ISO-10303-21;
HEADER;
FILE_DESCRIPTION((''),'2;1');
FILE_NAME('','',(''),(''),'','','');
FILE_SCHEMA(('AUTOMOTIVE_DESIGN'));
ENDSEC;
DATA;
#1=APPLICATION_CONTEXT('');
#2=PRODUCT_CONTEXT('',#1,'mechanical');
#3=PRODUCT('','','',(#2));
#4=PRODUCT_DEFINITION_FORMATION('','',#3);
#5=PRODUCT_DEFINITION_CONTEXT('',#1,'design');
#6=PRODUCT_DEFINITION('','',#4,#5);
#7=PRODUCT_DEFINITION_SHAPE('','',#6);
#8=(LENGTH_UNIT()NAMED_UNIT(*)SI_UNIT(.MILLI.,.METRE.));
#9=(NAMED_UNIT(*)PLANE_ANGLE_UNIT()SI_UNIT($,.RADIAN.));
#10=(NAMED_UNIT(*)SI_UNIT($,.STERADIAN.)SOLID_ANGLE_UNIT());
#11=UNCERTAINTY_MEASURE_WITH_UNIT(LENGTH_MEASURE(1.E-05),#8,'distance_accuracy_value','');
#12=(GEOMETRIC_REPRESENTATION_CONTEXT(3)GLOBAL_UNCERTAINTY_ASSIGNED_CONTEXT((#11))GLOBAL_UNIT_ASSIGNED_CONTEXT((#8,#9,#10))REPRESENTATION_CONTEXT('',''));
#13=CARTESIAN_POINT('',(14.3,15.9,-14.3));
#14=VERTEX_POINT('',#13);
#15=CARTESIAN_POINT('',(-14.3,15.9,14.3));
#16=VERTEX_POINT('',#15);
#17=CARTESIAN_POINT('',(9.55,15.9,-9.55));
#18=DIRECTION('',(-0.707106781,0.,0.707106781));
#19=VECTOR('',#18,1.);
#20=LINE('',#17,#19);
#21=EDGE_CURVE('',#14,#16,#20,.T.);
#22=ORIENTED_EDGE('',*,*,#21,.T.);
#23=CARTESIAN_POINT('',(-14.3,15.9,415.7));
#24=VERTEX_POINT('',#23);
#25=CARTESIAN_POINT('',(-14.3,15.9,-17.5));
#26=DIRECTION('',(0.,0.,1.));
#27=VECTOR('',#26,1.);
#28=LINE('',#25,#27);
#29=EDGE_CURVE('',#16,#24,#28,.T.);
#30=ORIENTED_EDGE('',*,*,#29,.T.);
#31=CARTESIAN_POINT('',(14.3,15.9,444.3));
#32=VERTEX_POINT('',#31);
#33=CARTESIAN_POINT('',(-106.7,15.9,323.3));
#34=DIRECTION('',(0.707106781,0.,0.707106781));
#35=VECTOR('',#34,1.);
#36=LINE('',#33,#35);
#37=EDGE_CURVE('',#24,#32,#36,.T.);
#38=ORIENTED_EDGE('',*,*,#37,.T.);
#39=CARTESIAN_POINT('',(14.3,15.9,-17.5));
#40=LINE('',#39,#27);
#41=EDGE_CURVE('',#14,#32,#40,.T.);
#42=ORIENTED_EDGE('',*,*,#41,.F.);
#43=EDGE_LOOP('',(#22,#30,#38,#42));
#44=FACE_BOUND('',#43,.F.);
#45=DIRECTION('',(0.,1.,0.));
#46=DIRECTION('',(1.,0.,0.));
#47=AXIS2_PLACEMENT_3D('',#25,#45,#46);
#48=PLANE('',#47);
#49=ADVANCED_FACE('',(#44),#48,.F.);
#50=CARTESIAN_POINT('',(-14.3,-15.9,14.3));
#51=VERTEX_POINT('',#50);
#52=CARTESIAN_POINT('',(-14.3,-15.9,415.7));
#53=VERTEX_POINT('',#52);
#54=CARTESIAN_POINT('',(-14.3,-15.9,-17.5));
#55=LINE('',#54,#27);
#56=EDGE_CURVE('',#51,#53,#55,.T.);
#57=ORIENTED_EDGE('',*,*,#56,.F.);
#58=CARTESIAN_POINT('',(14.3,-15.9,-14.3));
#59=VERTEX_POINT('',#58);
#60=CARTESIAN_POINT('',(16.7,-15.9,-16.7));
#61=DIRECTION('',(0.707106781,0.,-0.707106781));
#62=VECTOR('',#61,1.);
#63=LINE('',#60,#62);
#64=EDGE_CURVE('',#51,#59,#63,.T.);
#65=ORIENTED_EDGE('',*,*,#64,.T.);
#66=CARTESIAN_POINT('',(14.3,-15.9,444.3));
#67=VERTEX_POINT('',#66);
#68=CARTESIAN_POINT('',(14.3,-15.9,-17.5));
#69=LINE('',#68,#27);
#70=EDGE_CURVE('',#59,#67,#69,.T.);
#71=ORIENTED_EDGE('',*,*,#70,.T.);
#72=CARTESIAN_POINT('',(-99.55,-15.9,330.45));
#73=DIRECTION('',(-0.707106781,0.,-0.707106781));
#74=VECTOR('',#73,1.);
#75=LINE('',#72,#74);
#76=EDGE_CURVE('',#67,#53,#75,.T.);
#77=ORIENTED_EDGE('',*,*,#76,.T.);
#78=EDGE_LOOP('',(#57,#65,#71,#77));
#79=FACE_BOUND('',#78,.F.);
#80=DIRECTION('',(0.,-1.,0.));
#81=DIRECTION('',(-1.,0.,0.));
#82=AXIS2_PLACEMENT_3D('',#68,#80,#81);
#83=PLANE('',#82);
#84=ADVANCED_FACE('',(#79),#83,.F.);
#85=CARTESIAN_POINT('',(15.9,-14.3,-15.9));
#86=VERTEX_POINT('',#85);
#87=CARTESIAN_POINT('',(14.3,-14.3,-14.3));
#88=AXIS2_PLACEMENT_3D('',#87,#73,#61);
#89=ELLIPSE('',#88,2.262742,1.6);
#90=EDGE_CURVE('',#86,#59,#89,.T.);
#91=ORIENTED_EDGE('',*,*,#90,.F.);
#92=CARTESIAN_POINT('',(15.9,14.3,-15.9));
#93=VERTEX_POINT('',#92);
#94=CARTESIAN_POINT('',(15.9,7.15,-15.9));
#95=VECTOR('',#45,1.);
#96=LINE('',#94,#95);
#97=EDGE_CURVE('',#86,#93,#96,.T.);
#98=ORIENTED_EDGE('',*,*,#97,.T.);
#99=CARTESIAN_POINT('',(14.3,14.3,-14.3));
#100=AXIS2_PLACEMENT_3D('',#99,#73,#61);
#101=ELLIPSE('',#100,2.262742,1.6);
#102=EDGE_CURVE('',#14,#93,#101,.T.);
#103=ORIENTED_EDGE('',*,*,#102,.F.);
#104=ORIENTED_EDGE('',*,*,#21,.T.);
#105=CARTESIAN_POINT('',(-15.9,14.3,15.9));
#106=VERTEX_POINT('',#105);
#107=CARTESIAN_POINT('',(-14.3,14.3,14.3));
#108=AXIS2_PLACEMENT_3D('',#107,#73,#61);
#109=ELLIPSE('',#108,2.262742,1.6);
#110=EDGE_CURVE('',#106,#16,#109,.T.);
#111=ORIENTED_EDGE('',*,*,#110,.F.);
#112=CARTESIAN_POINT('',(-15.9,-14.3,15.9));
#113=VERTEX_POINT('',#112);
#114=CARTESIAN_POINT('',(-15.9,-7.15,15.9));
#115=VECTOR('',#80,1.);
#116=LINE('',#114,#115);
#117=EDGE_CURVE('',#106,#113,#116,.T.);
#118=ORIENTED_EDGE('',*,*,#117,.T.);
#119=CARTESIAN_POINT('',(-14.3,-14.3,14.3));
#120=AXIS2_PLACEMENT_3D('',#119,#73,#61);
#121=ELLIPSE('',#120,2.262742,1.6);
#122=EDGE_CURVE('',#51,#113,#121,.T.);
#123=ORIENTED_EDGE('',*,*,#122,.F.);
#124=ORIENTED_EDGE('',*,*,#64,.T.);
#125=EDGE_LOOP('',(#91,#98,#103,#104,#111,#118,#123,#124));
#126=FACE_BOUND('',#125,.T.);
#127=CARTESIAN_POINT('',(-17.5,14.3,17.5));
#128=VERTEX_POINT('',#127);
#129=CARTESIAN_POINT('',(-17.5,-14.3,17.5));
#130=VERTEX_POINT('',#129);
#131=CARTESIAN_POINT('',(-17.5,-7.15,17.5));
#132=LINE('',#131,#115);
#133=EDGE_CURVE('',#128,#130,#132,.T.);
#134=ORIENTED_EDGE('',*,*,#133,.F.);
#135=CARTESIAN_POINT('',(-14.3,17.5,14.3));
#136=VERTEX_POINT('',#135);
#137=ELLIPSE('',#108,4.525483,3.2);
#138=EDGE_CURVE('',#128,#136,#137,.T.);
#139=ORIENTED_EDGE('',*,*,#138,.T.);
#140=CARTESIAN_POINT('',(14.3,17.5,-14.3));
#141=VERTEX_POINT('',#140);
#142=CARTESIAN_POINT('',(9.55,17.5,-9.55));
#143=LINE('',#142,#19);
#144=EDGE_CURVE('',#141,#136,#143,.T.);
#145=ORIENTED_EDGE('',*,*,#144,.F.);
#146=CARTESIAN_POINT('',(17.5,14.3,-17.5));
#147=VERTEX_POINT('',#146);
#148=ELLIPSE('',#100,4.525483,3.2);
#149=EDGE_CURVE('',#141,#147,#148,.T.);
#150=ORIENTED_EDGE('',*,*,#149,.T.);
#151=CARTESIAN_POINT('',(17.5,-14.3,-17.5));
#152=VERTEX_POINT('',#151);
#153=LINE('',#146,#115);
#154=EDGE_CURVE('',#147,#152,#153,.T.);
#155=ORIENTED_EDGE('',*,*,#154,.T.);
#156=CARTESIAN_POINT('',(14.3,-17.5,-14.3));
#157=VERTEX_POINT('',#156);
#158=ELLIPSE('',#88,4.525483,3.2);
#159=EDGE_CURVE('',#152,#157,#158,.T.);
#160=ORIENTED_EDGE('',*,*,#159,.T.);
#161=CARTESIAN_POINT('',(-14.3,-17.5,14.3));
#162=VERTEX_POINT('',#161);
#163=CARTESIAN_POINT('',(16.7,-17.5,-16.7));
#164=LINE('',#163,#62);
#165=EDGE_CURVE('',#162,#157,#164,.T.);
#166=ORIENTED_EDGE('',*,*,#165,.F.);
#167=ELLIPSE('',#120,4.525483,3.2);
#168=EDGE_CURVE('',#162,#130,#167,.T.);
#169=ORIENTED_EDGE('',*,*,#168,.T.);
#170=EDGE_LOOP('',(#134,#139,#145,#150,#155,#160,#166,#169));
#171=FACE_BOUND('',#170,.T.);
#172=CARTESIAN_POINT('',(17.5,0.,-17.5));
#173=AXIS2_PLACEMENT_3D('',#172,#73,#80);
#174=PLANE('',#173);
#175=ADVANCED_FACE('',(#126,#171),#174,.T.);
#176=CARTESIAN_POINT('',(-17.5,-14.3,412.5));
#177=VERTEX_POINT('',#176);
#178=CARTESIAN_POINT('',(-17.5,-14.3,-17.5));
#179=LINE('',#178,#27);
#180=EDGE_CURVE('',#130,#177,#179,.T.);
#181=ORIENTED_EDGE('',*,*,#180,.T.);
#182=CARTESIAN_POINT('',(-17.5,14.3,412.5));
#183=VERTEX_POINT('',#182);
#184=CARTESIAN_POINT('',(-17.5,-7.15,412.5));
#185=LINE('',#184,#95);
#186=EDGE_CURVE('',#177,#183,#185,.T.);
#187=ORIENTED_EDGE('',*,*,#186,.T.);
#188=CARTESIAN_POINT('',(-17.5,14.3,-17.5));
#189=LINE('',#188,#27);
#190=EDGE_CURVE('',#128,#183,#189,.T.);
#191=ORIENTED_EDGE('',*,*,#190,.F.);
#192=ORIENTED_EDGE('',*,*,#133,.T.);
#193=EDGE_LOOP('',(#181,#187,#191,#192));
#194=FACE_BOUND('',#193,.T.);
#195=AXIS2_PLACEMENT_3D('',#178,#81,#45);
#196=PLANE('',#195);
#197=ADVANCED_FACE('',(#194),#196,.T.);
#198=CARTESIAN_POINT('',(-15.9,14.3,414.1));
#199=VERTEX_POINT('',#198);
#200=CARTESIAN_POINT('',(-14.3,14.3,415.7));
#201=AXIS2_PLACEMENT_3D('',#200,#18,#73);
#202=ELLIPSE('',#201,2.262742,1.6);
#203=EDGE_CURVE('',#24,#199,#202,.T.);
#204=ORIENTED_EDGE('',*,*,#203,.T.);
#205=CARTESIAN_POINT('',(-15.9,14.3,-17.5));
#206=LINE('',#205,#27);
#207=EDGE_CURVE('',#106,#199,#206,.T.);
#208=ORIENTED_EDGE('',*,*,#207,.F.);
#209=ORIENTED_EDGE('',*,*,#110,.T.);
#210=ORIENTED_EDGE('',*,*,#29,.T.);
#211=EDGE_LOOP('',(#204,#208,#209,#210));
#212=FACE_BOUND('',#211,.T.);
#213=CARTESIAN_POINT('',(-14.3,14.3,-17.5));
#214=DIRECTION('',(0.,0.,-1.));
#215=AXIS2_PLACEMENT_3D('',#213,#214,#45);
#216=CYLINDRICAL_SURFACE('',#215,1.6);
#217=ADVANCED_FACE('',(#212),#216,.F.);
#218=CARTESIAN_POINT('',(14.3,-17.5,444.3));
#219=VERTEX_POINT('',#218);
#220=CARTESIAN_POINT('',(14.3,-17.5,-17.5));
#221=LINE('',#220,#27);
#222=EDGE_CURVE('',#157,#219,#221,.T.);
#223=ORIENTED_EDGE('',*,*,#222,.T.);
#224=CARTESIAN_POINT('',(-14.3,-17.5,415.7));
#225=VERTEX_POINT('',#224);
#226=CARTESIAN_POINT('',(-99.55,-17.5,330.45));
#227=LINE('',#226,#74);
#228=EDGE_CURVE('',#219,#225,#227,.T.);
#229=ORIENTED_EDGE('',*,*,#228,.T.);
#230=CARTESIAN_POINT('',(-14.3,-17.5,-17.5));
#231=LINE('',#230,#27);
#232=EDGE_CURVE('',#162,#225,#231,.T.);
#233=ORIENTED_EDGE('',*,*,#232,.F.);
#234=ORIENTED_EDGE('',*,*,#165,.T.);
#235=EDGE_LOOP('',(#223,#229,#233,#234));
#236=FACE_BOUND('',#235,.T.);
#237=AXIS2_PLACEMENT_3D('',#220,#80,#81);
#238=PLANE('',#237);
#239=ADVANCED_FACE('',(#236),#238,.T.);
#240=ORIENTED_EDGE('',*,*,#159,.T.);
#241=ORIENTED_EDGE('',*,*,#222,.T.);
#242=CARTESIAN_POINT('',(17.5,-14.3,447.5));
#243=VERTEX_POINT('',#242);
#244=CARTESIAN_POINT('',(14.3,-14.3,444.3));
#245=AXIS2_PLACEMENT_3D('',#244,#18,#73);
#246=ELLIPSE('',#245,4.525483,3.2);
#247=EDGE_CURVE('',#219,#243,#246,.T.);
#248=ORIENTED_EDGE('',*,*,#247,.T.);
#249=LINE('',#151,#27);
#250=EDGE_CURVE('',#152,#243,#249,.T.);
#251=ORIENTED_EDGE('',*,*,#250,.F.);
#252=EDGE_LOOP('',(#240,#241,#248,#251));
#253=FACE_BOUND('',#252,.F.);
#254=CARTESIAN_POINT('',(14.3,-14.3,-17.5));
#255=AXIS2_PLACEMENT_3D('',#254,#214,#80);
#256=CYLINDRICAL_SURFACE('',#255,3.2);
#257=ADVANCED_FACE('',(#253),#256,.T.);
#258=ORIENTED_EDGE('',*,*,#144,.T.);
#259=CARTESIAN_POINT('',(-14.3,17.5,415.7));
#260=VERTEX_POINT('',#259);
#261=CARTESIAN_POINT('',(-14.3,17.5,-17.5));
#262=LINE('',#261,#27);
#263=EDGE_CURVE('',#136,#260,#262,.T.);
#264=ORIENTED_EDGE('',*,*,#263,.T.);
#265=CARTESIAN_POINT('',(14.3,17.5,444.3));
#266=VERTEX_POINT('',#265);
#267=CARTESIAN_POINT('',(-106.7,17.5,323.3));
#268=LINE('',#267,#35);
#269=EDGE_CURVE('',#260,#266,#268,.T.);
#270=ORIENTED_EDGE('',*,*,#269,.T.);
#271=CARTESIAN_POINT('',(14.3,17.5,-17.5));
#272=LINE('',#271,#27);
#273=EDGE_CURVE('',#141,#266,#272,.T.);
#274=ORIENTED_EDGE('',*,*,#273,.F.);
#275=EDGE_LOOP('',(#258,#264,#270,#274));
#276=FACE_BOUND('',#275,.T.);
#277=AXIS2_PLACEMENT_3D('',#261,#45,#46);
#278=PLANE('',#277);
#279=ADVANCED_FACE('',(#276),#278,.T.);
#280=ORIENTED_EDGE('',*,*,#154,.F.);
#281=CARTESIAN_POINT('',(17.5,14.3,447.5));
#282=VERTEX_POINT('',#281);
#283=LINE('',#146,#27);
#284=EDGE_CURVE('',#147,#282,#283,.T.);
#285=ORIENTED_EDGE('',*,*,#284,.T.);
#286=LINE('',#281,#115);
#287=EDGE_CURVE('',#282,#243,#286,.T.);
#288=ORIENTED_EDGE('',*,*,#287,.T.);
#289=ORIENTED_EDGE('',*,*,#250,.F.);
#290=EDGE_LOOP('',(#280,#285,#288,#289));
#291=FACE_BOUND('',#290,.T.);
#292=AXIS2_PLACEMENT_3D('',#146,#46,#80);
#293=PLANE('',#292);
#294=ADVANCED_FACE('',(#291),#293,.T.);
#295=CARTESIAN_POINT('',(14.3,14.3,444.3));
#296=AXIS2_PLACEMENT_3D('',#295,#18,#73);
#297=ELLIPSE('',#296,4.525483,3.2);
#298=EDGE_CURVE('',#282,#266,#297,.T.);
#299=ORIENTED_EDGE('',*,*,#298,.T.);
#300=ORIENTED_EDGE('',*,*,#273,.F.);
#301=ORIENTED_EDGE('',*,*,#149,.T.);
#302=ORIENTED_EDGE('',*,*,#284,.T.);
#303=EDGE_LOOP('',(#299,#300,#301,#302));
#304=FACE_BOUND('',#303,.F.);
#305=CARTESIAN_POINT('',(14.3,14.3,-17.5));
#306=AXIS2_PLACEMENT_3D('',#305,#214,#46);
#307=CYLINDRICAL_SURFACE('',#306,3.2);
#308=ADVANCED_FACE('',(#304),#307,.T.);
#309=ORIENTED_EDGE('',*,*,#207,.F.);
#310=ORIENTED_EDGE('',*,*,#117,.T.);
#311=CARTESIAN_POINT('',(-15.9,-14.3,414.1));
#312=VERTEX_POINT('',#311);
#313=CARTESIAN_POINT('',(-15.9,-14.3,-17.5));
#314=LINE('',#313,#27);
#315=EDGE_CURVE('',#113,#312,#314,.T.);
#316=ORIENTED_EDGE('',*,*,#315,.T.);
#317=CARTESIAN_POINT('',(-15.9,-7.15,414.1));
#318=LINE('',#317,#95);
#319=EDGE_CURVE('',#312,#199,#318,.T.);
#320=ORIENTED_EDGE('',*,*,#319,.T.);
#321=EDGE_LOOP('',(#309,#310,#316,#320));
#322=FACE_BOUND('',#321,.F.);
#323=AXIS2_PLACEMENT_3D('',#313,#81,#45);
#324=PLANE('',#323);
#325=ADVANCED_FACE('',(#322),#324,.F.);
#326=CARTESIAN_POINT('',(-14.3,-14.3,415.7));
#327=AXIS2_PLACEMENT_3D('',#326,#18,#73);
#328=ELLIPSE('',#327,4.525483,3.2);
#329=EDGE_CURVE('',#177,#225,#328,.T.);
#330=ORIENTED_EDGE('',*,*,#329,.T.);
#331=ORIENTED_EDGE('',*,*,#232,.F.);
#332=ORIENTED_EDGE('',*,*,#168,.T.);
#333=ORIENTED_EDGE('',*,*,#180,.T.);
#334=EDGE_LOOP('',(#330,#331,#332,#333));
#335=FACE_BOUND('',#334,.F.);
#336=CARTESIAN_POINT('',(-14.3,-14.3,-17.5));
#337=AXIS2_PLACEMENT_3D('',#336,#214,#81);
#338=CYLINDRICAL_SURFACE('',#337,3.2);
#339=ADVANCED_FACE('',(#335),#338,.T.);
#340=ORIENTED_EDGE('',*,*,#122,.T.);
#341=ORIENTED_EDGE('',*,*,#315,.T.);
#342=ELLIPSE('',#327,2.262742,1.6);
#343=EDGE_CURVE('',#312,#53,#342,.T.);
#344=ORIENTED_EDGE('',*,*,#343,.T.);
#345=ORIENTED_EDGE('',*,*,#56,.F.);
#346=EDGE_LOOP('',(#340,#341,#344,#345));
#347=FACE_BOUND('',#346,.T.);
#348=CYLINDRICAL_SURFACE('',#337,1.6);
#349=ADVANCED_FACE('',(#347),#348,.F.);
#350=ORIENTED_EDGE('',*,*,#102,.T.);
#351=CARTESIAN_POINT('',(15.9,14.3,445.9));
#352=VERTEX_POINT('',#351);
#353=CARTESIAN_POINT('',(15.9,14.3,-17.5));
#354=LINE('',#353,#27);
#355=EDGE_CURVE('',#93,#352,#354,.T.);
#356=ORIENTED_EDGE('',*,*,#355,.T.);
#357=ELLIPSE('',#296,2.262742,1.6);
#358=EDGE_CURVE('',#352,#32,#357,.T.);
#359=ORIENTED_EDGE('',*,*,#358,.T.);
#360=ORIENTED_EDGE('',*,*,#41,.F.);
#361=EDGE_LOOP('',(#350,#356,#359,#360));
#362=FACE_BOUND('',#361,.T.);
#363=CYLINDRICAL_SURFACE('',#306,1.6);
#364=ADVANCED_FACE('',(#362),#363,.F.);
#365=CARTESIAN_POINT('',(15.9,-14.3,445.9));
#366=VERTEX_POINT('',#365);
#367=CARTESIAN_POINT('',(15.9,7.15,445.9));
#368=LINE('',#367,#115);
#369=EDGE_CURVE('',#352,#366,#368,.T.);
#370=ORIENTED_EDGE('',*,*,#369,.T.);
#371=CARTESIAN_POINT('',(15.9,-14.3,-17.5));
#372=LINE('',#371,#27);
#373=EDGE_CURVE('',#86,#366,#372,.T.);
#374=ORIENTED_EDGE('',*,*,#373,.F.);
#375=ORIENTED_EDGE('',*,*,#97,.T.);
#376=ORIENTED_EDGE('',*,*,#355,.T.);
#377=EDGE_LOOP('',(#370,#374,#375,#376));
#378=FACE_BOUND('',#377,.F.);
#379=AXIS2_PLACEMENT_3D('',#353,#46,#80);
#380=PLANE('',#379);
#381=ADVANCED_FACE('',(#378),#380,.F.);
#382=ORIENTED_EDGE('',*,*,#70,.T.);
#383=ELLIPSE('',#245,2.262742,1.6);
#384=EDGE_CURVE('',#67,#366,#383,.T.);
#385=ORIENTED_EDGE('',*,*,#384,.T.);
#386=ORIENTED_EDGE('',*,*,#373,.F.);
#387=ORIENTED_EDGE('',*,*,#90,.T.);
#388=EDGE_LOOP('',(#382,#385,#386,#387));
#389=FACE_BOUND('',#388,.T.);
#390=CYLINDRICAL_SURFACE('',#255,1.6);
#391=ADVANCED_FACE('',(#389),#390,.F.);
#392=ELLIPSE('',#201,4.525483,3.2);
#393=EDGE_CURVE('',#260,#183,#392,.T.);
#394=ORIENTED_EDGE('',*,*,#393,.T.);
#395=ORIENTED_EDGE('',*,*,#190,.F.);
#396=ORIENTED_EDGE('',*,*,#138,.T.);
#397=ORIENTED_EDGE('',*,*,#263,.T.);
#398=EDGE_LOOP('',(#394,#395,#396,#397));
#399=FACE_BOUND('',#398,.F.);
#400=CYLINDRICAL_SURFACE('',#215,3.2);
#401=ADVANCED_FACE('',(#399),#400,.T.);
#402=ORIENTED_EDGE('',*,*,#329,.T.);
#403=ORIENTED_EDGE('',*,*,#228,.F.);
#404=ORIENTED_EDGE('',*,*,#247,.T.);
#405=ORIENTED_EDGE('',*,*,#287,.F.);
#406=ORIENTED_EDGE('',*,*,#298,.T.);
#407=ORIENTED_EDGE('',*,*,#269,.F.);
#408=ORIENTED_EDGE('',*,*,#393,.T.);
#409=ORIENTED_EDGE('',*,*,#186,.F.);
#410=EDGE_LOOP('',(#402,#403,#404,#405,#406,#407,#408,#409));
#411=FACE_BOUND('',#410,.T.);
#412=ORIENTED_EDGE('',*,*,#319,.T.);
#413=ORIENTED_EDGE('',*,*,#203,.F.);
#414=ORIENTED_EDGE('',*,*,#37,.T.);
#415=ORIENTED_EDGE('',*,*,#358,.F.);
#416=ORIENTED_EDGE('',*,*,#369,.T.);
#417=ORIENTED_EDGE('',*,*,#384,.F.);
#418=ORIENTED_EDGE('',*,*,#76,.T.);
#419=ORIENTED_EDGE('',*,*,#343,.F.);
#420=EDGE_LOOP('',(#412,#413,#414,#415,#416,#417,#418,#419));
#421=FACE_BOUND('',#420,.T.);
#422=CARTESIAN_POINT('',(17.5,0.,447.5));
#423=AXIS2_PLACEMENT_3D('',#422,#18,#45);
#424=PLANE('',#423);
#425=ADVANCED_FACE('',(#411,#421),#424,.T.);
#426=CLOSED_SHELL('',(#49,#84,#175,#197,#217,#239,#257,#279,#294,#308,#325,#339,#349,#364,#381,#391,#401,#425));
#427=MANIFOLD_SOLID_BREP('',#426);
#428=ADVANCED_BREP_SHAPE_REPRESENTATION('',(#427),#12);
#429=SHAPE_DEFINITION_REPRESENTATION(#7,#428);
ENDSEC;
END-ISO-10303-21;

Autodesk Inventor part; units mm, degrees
ref_plane "Start plane" through (0, 0, -17.5) normal (0, 0, 1) x (1, 0, 0)
ref_plane "End plane" through (0, 0, 447.5) normal (0, 0, 1) x (1, 0, 0)
sketch "Sketch" plane through (0, 0, 0) normal (0, 0, 1) x (1, 0, 0)
  line L0 (-17.5, -14.3) -> (-17.5, 14.3)
  line L1 (-14.3, 17.5) -> (14.3, 17.5)
  line L2 (17.5, 14.3) -> (17.5, -14.3)
  line L3 (14.3, -17.5) -> (-14.3, -17.5)
  arc A0 (-17.5, -14.3) -> (-14.3, -17.5) centre (-14.3, -14.3) ccw
  arc A1 (-14.3, 17.5) -> (-17.5, 14.3) centre (-14.3, 14.3) ccw
  arc A2 (17.5, 14.3) -> (14.3, 17.5) centre (14.3, 14.3) ccw
  arc A3 (14.3, -17.5) -> (17.5, -14.3) centre (14.3, -14.3) ccw
  arc A4 (-14.3, 15.9) -> (-15.9, 14.3) centre (-14.3, 14.3) ccw
  line L4 (-14.3, 15.9) -> (14.3, 15.9)
  arc A5 (15.9, 14.3) -> (14.3, 15.9) centre (14.3, 14.3) ccw
  line L5 (15.9, 14.3) -> (15.9, -14.3)
  arc A6 (14.3, -15.9) -> (15.9, -14.3) centre (14.3, -14.3) ccw
  line L6 (14.3, -15.9) -> (-14.3, -15.9)
  arc A7 (-15.9, -14.3) -> (-14.3, -15.9) centre (-14.3, -14.3) ccw
  line L7 (-15.9, -14.3) -> (-15.9, 14.3)
  line L8 (0, 25.4278) -> (0, -25.4278) construction
  line L9 (-25.4278, 0) -> (25.4278, 0) construction
  dimension "d7" = 3.2
  dimension "d10" = 35
  dimension "d11" = 35
  dimension "d12" = 1.6
  dimension "d15" = 17.5
  dimension "d16" = 17.5
extrude "Body" add sketch "Sketch" along normal up to surface (465 mm away) from surface at -17.5
sketch "Sketch3" plane through (0, 0, 0) normal (0, 0, 1) x (1, 0, 0)
  line L0 (0, 0) -> (10, 0)
ref_plane "Work Plane3" through (0, 0, 0) normal (0, -1, 0) x (1, 0, 0)
sketch "Sketch4" plane through (0, 0, 0) normal (0, -1, 0) x (1, 0, 0)
  line L0 (-2, -17.5) -> (12, -17.5)
  line L1 (-2, 447.5) -> (12, 447.5)
  dimension "d18" = 465
ref_plane "Work Plane5" through (17.5, 0, 447.5) normal (-0.7071, 0, 0.7071) x (0.7071, 0, 0.7071)
split "Split2" plane through (17.5, 0, 447.5) removes the side toward (-0.7071, 0, 0.7071)
ref_plane "Work Plane12" through (0, 180, -17.5) normal (0, 0, -1) x (-1, 0, 0)
split "Split6" plane through (0, 180, -17.5) removes the side toward (0, 0, -1)
ref_plane "Work Plane13" through (17.5, 0, -17.5) normal (-0.7071, 0, -0.7071) x (-0.7071, 0, 0.7071)
split "Split7" plane through (17.5, 0, -17.5) removes the side toward (-0.7071, 0, -0.7071)
equation "\"d7\" = G_IR"
equation "\"d10\" = G_H"
equation "\"d11\" = G_W"
equation "\"d12\" = G_T"
equation "\"d15\" = 0.5 * d10"
equation "\"d16\" = 0.5 * d11"
equation "\"d3\" = G_L"
equation "\"G_W\" = 35"
equation "\"G_H\" = 35"
equation "\"G_T\" = 1.6"
equation "\"G_IR\" = 3.2"
equation "\"G_L\" = d18"
equation "\"G_OFFSET_START\" = 17.5"
equation "\"G_OFFSET_END\" = 17.5"
equation "\"d13\" = -G_OFFSET_START"
equation "\"d14\" = G_OFFSET_END + B_L"
equation "\"B_L\" = 430"
properties part number "AS 1163 - C350L0 35x35x1.6 SHS - 465" material "Steel, Mild"
